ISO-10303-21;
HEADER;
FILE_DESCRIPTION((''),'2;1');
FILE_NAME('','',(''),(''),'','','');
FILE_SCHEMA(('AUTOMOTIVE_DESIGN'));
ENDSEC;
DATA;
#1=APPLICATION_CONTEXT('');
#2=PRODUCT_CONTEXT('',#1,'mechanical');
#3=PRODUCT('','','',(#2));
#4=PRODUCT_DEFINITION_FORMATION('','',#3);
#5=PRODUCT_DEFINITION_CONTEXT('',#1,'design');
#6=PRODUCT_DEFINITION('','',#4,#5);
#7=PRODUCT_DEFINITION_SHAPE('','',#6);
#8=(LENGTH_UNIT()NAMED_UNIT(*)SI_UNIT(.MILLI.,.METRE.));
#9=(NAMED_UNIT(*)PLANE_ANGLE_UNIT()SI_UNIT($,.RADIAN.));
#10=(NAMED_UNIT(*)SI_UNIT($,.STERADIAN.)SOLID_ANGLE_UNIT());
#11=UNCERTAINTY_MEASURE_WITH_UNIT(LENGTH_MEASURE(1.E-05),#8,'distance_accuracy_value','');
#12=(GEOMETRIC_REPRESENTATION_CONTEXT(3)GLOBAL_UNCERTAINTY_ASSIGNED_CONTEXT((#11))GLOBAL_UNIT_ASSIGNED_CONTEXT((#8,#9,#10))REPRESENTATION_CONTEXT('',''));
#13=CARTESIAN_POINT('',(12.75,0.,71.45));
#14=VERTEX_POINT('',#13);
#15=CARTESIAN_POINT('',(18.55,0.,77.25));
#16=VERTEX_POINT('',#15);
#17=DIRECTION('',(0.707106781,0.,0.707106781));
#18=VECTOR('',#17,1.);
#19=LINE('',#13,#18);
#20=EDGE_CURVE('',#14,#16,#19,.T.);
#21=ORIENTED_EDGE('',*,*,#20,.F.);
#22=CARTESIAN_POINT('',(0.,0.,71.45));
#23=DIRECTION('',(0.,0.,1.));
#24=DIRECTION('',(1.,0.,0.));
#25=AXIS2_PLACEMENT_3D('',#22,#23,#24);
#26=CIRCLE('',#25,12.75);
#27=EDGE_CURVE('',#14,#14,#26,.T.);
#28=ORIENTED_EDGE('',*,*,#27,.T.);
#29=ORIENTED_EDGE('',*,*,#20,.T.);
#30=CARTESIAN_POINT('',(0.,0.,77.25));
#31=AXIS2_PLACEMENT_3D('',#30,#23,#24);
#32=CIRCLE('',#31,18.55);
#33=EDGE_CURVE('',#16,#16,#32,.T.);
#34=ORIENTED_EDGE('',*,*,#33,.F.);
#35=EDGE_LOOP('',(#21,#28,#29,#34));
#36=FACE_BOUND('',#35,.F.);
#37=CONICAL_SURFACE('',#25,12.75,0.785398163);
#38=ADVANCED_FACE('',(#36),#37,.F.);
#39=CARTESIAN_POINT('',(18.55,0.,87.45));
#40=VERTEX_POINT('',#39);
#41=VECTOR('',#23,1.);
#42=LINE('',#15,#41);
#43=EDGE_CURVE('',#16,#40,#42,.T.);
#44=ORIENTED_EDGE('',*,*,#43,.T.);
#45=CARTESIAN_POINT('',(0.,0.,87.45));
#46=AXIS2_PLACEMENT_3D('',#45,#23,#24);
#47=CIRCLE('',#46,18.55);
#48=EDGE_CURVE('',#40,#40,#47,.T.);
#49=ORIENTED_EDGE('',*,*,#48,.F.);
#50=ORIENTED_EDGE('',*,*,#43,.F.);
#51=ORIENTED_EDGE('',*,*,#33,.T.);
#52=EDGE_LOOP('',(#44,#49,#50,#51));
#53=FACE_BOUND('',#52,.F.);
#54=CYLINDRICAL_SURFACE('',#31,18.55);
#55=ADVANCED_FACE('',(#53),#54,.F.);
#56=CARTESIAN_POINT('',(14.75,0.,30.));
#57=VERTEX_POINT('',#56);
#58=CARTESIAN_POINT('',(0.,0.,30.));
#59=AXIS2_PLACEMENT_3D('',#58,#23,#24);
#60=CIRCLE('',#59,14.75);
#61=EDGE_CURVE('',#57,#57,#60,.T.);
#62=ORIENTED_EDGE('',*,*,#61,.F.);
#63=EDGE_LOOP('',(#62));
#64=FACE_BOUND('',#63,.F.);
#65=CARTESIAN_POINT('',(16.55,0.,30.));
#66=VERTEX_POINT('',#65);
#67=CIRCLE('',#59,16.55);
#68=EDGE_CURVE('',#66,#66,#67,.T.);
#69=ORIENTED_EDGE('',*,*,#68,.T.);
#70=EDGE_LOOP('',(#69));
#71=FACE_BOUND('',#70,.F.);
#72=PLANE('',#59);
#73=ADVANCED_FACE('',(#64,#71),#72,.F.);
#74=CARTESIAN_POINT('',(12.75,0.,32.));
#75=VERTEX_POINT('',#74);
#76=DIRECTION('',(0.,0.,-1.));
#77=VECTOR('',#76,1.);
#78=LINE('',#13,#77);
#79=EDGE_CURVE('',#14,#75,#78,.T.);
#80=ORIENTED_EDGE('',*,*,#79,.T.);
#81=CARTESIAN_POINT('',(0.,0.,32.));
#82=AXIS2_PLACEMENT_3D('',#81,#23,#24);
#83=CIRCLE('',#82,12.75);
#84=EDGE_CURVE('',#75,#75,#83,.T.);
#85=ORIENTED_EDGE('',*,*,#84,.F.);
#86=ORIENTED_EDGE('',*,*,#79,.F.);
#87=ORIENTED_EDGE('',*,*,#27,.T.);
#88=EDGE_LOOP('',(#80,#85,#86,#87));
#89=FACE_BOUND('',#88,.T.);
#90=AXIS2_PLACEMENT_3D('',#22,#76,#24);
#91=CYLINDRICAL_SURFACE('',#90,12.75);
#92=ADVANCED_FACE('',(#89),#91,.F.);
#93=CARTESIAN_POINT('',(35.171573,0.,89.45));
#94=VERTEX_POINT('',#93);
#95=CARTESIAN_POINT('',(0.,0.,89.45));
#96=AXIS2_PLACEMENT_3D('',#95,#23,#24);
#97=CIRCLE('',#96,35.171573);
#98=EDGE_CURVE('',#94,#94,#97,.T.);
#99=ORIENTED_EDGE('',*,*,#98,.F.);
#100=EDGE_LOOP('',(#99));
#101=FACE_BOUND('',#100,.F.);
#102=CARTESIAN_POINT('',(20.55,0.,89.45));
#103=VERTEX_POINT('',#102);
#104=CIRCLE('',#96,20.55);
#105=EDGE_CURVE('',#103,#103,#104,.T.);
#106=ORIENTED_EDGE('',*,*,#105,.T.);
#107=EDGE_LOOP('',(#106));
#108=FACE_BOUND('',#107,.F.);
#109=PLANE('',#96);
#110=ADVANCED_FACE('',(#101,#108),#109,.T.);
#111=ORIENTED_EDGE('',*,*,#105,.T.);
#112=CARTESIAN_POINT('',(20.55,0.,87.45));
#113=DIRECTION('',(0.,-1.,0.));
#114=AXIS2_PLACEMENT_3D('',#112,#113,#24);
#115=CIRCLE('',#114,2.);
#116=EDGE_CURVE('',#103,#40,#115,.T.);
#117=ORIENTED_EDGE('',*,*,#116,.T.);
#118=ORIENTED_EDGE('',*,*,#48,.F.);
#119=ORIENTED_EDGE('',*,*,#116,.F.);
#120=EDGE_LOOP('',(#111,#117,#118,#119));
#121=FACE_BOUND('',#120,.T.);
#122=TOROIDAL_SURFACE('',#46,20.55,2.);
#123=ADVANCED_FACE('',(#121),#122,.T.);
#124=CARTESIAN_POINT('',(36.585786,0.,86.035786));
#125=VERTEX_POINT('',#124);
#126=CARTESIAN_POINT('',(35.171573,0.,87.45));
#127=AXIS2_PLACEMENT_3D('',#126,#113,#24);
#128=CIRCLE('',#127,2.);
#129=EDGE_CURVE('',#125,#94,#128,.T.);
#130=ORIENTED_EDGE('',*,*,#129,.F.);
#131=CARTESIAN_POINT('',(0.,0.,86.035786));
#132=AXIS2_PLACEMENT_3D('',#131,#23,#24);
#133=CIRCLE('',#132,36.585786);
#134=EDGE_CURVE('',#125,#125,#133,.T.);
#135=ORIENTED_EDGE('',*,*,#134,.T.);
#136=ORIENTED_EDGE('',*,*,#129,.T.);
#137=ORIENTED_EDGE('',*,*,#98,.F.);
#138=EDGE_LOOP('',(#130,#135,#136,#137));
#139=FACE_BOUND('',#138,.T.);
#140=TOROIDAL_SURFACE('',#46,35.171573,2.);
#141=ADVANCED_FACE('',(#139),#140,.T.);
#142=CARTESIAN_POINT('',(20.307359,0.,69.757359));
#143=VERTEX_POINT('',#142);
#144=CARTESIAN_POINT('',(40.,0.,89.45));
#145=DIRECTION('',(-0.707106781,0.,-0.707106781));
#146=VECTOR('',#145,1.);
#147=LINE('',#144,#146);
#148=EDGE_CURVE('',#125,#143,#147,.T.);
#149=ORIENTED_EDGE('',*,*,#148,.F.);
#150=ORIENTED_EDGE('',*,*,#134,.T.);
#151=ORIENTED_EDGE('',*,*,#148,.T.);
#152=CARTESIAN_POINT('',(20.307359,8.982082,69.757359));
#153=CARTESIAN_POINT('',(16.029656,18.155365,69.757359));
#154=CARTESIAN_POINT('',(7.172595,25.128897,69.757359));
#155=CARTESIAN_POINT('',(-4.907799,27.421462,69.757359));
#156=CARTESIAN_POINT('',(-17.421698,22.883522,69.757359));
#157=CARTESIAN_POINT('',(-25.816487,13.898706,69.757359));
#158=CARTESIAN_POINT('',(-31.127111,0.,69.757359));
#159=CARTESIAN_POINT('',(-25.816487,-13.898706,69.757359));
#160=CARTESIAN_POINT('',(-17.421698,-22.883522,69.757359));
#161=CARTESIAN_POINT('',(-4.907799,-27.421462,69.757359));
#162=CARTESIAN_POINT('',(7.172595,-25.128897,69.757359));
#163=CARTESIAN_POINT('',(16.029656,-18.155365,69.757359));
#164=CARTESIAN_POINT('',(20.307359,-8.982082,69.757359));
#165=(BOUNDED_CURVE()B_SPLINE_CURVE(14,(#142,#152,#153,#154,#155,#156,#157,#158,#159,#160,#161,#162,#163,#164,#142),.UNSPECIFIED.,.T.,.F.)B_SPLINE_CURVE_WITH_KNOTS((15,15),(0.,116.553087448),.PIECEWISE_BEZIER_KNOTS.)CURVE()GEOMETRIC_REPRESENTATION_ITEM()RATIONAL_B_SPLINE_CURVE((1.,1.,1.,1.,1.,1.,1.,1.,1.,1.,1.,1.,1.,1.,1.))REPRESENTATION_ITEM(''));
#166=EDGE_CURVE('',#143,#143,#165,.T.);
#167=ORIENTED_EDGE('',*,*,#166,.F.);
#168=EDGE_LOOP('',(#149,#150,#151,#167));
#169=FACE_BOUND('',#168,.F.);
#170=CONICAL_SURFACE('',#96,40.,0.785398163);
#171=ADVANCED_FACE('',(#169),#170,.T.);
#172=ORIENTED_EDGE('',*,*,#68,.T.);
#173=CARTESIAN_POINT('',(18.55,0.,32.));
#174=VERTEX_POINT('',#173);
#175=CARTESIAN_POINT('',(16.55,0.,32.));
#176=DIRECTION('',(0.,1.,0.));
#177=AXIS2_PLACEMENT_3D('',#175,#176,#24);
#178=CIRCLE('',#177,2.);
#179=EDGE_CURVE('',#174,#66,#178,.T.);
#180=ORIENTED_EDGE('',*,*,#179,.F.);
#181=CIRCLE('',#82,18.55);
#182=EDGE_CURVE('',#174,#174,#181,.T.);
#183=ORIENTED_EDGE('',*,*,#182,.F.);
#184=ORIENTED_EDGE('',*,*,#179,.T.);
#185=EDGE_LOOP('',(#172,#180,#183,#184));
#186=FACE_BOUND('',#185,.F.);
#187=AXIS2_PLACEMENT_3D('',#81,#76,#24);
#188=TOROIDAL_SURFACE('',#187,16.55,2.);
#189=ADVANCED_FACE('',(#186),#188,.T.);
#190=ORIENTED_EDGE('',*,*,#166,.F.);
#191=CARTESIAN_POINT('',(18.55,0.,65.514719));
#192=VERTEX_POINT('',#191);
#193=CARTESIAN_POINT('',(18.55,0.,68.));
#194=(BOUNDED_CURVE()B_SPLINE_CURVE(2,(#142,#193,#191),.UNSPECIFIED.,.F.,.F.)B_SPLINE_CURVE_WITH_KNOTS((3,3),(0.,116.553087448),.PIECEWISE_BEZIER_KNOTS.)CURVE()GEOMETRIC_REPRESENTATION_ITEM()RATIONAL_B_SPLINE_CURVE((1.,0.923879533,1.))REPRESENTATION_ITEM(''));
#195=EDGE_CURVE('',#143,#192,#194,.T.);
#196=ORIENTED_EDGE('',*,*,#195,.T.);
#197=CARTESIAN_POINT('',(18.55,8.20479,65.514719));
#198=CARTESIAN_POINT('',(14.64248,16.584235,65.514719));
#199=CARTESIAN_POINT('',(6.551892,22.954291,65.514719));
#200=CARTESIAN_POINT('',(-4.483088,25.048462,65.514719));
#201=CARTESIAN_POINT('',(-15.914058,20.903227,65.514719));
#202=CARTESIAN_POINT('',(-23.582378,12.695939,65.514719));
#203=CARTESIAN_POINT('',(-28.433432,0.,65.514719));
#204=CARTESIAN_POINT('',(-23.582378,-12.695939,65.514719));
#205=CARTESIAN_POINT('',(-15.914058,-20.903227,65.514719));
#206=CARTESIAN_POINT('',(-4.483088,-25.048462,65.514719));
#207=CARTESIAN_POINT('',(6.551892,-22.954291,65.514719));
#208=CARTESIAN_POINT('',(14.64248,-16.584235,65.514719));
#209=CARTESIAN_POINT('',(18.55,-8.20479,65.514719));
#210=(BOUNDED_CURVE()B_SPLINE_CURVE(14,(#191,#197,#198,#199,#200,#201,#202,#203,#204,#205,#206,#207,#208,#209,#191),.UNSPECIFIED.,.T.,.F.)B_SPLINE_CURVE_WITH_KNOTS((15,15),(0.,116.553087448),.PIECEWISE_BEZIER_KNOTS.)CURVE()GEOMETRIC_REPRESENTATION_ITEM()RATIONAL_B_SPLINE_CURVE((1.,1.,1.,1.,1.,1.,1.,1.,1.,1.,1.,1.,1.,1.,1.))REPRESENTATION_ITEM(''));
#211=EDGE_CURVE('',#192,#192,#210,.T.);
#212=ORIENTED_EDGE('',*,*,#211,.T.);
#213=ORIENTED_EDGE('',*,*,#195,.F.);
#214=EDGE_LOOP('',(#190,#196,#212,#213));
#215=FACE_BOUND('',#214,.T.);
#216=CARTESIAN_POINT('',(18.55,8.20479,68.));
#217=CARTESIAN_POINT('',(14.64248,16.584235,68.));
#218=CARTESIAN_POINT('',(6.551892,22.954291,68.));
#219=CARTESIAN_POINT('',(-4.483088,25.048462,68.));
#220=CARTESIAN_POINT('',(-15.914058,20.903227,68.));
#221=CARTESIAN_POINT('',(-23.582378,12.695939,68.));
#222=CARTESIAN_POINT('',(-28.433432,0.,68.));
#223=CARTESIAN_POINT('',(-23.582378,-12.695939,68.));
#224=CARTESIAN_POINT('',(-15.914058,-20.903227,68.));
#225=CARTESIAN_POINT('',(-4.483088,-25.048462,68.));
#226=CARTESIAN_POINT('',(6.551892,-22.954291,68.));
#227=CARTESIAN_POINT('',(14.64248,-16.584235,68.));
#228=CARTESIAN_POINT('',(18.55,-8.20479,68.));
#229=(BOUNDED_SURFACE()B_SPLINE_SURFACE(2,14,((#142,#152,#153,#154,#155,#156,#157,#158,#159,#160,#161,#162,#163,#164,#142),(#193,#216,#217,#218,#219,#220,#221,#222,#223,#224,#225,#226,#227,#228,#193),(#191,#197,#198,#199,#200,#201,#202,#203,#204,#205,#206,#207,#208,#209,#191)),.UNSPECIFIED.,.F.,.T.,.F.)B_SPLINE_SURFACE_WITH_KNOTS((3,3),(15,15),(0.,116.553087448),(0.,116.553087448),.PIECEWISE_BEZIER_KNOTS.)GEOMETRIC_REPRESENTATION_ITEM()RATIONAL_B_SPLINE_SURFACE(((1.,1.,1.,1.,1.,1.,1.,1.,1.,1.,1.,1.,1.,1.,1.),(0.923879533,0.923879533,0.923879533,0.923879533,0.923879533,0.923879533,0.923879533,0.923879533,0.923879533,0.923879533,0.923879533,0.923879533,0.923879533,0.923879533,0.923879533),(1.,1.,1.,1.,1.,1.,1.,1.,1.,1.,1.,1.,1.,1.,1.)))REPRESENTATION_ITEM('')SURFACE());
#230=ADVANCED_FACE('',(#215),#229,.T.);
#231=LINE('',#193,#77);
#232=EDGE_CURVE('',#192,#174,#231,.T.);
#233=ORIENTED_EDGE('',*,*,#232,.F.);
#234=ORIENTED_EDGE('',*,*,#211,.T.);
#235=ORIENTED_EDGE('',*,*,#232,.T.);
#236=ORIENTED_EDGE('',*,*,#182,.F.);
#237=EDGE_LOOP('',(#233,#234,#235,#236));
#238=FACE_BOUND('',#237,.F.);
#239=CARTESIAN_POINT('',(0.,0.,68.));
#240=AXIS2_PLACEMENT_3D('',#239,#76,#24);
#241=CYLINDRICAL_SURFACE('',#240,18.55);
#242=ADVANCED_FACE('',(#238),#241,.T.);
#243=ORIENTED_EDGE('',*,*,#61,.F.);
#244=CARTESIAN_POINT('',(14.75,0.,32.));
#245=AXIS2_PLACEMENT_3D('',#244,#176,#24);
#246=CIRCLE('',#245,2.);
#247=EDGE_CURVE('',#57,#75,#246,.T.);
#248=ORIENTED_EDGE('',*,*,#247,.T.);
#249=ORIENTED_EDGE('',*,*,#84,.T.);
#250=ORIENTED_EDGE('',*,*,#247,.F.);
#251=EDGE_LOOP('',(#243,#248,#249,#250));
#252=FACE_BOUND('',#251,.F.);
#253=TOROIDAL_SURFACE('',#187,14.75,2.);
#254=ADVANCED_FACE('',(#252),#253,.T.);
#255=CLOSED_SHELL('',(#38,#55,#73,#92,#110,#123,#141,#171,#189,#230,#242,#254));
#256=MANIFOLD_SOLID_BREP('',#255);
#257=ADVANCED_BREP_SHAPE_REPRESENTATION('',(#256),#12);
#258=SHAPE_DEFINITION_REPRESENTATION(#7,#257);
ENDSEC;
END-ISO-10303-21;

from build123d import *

# Parameters (mm, degrees)
FILLET_R    = 6
FILLET002_R = 2


with BuildPart() as part:
    # Sketch003 → Revolution002 (revolve)
    with BuildSketch(Plane.XZ):
        Polygon((12.75, 30), (12.75, 68), (12.75, 71.45), (18.55, 77.25), (18.55, 89.45), (40, 89.45), (18.55, 68), (18.55, 30), align=None)
    revolve(axis=Axis((0, 0, 0), (0, 0, 1)))

    # Fillet
    fillet_edges = [part.edges().sort_by_distance(p)[0] for p in [
        (-18.55, 0, 68),
    ]]
    fillet(fillet_edges, radius=FILLET_R)

    # Fillet002
    fillet002_edges = [part.edges().sort_by_distance(p)[0] for p in [
        (-18.55, 0, 89.45),
        (-40, 0, 89.45),
        (-12.75, 0, 30),
        (-18.55, 0, 30),
    ]]
    fillet(fillet002_edges, radius=FILLET002_R)


solid = part.part
